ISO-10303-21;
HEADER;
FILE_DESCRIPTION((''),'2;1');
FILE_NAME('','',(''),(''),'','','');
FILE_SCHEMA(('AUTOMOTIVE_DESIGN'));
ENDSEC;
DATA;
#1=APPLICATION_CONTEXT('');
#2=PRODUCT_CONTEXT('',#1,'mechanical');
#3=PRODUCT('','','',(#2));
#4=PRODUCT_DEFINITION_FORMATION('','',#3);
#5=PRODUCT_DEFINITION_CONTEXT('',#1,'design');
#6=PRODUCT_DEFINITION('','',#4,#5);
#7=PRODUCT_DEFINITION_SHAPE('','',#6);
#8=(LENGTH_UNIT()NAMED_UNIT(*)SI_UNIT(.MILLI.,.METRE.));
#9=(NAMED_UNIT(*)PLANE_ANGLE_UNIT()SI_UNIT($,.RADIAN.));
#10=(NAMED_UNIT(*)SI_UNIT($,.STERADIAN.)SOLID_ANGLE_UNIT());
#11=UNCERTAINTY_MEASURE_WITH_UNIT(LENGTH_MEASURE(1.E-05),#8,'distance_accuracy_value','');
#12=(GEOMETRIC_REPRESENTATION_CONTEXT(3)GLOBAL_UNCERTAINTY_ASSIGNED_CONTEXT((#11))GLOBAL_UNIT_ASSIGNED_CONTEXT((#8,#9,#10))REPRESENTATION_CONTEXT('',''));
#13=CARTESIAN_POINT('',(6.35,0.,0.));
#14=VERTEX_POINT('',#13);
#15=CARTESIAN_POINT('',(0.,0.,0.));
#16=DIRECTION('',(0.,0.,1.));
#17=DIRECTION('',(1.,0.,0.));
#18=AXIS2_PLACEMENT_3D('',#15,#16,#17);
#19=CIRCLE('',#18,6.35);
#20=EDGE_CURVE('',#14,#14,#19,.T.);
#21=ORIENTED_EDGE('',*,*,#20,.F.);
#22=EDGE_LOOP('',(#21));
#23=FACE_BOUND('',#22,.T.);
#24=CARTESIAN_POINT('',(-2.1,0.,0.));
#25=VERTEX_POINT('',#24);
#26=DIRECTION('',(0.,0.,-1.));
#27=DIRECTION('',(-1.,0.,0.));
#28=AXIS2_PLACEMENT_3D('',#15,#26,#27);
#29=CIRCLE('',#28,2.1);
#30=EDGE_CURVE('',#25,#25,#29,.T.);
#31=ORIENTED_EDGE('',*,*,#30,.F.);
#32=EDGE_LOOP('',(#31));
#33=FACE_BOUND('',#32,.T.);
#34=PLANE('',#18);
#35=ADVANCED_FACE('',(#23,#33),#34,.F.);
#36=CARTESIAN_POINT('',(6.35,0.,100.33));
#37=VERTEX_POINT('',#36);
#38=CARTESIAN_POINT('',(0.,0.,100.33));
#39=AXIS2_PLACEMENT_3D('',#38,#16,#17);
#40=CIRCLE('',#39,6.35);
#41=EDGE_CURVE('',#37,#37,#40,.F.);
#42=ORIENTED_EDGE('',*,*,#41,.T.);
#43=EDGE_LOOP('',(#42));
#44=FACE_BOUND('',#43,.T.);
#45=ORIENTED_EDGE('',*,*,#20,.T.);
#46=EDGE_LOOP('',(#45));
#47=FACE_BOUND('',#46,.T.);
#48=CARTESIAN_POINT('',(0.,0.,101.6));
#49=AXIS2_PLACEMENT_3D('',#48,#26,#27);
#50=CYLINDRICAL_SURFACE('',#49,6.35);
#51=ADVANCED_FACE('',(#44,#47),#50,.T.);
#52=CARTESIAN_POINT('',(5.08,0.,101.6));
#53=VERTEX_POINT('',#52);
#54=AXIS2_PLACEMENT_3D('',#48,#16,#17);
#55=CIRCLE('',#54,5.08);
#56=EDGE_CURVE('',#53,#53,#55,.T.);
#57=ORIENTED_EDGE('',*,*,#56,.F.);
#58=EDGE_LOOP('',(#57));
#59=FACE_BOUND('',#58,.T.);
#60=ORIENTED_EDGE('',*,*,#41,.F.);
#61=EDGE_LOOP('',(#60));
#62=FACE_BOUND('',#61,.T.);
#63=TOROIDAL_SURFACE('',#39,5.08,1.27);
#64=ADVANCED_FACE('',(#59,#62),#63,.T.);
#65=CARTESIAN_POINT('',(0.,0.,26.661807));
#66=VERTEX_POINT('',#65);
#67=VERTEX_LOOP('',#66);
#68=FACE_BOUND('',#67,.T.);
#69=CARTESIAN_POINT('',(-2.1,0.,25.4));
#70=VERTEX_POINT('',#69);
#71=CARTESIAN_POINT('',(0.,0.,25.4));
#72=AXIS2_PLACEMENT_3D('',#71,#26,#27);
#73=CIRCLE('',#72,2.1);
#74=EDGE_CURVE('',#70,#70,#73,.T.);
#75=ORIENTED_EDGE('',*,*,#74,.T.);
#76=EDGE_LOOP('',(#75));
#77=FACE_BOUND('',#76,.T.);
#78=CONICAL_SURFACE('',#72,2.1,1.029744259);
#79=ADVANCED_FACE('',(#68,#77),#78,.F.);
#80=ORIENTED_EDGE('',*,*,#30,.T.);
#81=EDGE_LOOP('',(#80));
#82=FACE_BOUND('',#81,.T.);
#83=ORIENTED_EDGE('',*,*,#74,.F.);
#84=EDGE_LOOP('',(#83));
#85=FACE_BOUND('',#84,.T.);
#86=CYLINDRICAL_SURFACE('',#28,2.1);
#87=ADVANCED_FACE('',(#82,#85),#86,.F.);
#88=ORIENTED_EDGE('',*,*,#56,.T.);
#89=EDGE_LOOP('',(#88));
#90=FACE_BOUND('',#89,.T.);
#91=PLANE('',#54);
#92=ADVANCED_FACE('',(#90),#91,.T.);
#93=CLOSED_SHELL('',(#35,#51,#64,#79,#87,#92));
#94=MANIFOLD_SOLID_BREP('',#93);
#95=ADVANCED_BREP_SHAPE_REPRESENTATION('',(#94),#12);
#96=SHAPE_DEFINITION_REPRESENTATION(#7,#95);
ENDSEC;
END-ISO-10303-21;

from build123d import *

# Parameters (mm, degrees)
SKETCH1_R                 = 6.35
BOSS_EXTRUDE1_DEPTH       = 101.6
M5X0_8_TAPPED_HOLE1_D     = 4.2
M5X0_8_TAPPED_HOLE1_DEPTH = 25.4
M5X0_8_TAPPED_HOLE1_TIP   = 1.2618073
FILLET1_R                 = 1.27


with BuildPart() as part:
    # Sketch1 → Boss-Extrude1 (new body)
    with BuildSketch(Plane.XY):
        Circle(SKETCH1_R)
    extrude(amount=BOSS_EXTRUDE1_DEPTH)

    # M5x0.8 Tapped Hole1
    with Locations(Plane(origin=(0, 0, 0), x_dir=(-1, 0, 0), z_dir=(0, 0, -1))):
        with Locations((0, 0)):
            Hole(M5X0_8_TAPPED_HOLE1_D / 2, depth=M5X0_8_TAPPED_HOLE1_DEPTH)
            with Locations((0, 0, -(M5X0_8_TAPPED_HOLE1_DEPTH + M5X0_8_TAPPED_HOLE1_TIP / 2))):  # 118° drill point
                Cone(0, M5X0_8_TAPPED_HOLE1_D / 2, M5X0_8_TAPPED_HOLE1_TIP, mode=Mode.SUBTRACT)

    # Fillet1
    fillet1_edges = [part.edges().sort_by_distance(p)[0] for p in [
        (-6.35, 0, 101.6),
    ]]
    fillet(fillet1_edges, radius=FILLET1_R)


solid = part.part
